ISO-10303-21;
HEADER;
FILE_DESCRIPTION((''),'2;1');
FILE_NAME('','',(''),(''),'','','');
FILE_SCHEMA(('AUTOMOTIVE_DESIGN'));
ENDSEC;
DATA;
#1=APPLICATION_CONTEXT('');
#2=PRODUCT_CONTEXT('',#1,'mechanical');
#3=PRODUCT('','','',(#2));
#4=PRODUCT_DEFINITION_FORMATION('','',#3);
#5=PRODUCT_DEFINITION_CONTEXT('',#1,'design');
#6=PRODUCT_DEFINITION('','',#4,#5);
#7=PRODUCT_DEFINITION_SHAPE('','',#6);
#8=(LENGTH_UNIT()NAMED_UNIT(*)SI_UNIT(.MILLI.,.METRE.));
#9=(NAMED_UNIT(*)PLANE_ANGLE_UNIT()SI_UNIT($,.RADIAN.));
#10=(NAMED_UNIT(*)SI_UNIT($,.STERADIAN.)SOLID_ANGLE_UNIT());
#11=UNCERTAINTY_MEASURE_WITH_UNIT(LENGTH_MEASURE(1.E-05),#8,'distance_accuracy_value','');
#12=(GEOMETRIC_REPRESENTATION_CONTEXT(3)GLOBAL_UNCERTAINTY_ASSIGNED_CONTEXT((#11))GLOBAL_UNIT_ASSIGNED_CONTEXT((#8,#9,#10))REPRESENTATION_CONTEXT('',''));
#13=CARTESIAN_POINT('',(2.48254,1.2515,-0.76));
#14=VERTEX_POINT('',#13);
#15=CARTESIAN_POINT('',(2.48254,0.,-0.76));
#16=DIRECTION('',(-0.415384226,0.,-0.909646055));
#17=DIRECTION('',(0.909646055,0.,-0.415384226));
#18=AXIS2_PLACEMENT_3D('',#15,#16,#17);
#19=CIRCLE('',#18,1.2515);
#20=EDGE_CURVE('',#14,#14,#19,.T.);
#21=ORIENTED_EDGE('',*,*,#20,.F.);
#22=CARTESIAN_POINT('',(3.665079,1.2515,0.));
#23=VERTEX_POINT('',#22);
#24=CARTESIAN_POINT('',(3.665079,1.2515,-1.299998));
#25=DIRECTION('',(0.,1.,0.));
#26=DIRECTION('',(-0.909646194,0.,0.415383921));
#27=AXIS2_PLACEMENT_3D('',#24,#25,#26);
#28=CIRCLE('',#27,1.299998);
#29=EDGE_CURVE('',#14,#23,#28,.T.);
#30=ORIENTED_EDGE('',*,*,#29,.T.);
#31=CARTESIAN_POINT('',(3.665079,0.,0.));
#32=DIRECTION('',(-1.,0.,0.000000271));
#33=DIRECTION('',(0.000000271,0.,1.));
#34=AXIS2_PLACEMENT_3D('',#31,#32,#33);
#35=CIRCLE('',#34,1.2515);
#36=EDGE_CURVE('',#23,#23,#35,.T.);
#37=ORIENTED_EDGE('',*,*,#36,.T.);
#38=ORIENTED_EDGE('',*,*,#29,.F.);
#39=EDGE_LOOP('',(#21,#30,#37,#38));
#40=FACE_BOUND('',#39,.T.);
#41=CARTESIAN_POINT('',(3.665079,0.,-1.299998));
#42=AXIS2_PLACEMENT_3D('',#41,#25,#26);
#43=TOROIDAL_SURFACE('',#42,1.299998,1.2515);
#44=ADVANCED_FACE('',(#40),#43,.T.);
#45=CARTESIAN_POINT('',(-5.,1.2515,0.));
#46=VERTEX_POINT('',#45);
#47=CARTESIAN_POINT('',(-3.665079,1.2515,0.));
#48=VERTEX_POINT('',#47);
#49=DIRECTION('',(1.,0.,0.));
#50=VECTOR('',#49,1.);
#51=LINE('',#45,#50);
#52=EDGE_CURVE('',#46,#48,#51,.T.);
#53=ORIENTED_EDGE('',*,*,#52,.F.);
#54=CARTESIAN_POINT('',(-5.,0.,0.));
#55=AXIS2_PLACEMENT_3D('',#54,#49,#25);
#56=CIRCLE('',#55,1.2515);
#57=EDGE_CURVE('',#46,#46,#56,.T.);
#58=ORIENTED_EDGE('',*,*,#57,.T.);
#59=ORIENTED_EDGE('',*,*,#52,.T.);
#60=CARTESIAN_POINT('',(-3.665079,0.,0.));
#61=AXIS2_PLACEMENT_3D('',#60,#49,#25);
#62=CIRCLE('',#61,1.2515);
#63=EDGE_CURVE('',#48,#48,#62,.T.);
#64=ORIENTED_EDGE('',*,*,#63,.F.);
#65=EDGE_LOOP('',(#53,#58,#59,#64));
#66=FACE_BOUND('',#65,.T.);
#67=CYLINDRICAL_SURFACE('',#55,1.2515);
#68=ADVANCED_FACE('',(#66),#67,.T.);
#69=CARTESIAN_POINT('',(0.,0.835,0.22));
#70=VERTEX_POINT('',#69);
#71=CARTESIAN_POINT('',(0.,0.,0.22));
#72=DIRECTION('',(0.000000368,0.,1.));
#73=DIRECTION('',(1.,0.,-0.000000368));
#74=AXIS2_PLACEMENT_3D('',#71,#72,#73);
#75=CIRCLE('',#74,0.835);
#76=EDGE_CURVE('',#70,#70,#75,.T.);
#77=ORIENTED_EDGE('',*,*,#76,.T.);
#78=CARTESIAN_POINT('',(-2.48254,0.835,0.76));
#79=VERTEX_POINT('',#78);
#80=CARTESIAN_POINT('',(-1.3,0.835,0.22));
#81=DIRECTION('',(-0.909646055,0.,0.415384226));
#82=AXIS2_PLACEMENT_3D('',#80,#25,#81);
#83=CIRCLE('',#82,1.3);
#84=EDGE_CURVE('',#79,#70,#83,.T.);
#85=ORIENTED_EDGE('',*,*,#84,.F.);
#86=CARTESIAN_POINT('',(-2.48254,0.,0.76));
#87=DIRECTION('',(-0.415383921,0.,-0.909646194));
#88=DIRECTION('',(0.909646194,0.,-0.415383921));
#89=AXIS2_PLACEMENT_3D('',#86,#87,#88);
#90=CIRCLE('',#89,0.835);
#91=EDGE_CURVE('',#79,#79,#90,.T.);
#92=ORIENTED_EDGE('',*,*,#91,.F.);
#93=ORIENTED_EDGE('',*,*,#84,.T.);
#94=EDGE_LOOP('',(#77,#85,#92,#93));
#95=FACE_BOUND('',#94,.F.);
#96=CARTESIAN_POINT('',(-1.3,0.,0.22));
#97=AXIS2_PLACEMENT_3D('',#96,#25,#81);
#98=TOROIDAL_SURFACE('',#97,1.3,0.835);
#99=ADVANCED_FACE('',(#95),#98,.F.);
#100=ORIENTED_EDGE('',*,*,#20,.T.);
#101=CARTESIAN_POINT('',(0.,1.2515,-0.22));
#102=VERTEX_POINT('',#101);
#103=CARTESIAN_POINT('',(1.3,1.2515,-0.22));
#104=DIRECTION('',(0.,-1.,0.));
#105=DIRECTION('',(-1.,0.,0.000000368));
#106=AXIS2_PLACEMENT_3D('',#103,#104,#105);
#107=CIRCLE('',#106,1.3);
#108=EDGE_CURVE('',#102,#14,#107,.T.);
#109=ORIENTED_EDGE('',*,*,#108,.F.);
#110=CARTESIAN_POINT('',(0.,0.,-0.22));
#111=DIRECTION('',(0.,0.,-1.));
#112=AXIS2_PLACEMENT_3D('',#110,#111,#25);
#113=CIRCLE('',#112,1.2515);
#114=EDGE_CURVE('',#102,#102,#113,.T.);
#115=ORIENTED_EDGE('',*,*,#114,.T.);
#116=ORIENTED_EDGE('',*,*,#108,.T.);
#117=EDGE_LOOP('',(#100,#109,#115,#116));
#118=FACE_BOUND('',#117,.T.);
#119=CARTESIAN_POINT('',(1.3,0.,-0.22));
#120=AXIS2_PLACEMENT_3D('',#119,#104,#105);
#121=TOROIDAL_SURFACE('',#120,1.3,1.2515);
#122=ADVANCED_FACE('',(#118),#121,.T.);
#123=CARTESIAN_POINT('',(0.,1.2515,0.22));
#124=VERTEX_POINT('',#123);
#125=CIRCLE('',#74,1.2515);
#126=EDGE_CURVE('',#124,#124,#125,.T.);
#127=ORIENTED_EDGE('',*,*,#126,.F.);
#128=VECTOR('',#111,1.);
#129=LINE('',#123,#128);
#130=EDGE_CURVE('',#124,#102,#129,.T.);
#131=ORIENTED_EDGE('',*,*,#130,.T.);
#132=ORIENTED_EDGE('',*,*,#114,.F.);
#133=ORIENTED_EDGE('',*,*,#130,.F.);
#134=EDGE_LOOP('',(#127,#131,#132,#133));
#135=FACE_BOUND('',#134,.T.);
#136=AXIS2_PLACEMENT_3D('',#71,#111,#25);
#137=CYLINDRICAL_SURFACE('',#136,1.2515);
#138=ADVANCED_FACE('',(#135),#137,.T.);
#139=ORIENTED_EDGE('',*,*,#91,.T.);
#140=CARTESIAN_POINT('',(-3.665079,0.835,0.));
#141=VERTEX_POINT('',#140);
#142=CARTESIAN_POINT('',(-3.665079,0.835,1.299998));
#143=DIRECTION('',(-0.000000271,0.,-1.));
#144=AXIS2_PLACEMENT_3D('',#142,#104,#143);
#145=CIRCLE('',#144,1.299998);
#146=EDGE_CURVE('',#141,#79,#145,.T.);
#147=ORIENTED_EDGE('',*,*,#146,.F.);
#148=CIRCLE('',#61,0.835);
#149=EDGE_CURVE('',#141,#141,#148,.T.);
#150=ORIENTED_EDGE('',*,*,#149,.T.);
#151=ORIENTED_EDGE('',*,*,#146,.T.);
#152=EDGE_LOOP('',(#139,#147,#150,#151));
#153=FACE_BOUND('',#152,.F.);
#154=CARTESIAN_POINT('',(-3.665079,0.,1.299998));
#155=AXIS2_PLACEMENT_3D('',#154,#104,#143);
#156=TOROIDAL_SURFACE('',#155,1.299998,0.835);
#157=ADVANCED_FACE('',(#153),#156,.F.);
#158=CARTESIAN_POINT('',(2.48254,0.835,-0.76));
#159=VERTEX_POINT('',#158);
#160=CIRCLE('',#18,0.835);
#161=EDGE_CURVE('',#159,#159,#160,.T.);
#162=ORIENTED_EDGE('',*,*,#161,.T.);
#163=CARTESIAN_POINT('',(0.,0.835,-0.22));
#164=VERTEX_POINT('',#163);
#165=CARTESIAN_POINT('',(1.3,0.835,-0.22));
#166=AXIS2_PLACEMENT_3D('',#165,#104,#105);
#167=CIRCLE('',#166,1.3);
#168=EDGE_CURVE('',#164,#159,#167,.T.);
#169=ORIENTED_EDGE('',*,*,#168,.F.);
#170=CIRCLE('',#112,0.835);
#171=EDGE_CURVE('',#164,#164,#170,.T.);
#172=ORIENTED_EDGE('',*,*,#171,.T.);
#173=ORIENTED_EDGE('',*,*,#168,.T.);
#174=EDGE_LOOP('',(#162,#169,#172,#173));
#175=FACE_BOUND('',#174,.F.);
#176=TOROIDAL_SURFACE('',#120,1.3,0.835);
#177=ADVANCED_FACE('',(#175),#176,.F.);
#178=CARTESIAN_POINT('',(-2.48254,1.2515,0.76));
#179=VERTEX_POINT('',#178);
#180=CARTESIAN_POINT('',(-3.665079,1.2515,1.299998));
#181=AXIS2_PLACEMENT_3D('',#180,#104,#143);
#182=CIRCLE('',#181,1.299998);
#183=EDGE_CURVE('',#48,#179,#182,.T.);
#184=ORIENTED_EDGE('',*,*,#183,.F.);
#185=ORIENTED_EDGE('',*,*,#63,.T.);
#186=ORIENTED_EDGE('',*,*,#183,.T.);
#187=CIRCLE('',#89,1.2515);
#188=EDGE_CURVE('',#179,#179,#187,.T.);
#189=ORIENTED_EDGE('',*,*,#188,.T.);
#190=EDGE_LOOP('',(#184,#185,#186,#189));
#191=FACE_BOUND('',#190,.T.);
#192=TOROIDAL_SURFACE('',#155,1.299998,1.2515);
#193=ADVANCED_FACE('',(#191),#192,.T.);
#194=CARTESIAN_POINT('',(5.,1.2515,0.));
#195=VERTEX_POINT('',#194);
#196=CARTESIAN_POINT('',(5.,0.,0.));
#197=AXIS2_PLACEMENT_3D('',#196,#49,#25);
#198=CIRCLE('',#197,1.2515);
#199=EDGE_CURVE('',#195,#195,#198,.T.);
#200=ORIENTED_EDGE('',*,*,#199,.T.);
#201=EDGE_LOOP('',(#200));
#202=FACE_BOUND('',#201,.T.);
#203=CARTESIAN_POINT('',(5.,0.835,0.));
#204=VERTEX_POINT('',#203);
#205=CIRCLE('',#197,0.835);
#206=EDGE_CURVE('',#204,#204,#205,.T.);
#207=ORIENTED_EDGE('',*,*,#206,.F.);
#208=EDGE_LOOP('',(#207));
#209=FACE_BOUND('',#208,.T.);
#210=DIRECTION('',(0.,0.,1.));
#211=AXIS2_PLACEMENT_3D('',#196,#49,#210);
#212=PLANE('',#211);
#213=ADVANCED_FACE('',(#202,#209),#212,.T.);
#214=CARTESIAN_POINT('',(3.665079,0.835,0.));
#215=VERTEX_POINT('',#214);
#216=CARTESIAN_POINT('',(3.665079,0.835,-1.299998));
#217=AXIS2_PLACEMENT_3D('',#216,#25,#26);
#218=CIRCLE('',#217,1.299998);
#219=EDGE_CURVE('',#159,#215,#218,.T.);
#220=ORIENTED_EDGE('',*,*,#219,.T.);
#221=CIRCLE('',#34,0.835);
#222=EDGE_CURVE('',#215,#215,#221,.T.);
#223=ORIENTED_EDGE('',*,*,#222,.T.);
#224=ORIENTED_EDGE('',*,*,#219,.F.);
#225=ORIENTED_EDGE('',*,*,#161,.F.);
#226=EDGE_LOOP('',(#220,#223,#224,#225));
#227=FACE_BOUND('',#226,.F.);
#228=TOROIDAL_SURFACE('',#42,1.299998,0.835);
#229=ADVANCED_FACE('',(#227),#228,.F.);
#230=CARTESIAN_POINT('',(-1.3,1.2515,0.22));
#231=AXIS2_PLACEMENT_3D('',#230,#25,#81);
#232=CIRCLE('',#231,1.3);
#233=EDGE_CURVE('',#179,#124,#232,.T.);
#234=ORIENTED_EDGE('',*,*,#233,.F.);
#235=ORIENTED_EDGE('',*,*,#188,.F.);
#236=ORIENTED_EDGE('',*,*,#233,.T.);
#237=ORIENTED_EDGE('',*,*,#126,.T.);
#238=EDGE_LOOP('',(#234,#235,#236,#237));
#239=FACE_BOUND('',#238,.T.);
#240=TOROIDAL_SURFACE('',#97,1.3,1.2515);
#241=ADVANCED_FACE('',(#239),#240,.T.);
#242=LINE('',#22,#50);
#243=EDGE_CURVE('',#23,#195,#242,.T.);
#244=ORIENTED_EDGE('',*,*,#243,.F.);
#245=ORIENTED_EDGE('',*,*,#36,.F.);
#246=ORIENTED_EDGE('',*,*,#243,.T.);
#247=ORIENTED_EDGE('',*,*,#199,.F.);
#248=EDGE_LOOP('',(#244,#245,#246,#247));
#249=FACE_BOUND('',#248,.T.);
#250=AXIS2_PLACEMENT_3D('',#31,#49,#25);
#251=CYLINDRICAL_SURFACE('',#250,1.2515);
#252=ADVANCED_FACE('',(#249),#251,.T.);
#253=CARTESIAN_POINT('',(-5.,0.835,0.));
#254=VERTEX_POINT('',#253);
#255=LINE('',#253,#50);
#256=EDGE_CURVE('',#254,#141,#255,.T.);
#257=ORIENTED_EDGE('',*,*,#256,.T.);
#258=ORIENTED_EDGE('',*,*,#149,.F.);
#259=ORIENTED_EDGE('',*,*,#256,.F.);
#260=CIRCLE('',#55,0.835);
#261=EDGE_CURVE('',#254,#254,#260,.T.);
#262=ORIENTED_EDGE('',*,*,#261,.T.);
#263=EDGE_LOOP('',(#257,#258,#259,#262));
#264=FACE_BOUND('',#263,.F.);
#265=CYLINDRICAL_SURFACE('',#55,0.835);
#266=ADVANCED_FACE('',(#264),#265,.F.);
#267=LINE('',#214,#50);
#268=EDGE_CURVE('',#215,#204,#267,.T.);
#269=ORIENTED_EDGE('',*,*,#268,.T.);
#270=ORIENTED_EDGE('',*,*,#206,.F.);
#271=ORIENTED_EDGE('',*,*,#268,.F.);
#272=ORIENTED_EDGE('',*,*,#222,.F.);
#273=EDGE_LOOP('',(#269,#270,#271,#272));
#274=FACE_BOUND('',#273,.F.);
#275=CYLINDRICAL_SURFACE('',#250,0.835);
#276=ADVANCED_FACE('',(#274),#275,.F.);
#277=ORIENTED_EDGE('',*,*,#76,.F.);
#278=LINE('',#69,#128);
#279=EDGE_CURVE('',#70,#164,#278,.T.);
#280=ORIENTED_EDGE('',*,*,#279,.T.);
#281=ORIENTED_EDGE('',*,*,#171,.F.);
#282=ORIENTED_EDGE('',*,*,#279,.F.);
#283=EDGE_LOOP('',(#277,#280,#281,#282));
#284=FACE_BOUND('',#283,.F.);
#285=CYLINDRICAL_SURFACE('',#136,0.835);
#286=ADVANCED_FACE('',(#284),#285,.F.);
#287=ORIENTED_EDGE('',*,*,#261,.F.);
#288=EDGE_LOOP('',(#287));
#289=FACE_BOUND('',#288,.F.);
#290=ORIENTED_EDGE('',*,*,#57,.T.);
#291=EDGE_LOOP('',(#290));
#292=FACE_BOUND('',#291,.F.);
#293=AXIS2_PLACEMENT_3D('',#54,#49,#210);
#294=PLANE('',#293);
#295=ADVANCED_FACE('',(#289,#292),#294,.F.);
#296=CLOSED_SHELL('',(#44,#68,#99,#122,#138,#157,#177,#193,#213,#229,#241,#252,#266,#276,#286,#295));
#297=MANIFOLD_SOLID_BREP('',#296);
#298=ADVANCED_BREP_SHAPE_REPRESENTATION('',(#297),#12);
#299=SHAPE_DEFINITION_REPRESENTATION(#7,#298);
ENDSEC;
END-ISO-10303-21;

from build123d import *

# Parameters (mm, degrees)
F2_R   = 1.2515
F2_R_2 = 0.835


with BuildPart() as f3:
    # F3: sweep along a path in F0
    with BuildLine(Plane.XZ) as f3_path:
        Line((-5, 0), (-3.665079, 0))
        ThreePointArc((-3.665079, 0), (-2.962228, 0.206382), (-2.48254, 0.76))
        ThreePointArc((-2.48254, 0.76), (-1.023686, 1.490296), (0, 0.22))
        Line((0, 0.22), (0, 0))
        Line((0, 0), (0, -0.22))
        ThreePointArc((0, -0.22), (1.023686, -1.490296), (2.48254, -0.76))
        ThreePointArc((2.48254, -0.76), (2.962228, -0.206382), (3.665079, 0))
        Line((3.665079, 0), (5, 0))
    # F2 (on plane+point) → F3 (sweep)
    with BuildSketch(Plane.YZ.offset(-5)):
        Circle(F2_R)
        Circle(F2_R_2, mode=Mode.SUBTRACT)
    sweep(path=f3_path.line)


solid = f3.part
